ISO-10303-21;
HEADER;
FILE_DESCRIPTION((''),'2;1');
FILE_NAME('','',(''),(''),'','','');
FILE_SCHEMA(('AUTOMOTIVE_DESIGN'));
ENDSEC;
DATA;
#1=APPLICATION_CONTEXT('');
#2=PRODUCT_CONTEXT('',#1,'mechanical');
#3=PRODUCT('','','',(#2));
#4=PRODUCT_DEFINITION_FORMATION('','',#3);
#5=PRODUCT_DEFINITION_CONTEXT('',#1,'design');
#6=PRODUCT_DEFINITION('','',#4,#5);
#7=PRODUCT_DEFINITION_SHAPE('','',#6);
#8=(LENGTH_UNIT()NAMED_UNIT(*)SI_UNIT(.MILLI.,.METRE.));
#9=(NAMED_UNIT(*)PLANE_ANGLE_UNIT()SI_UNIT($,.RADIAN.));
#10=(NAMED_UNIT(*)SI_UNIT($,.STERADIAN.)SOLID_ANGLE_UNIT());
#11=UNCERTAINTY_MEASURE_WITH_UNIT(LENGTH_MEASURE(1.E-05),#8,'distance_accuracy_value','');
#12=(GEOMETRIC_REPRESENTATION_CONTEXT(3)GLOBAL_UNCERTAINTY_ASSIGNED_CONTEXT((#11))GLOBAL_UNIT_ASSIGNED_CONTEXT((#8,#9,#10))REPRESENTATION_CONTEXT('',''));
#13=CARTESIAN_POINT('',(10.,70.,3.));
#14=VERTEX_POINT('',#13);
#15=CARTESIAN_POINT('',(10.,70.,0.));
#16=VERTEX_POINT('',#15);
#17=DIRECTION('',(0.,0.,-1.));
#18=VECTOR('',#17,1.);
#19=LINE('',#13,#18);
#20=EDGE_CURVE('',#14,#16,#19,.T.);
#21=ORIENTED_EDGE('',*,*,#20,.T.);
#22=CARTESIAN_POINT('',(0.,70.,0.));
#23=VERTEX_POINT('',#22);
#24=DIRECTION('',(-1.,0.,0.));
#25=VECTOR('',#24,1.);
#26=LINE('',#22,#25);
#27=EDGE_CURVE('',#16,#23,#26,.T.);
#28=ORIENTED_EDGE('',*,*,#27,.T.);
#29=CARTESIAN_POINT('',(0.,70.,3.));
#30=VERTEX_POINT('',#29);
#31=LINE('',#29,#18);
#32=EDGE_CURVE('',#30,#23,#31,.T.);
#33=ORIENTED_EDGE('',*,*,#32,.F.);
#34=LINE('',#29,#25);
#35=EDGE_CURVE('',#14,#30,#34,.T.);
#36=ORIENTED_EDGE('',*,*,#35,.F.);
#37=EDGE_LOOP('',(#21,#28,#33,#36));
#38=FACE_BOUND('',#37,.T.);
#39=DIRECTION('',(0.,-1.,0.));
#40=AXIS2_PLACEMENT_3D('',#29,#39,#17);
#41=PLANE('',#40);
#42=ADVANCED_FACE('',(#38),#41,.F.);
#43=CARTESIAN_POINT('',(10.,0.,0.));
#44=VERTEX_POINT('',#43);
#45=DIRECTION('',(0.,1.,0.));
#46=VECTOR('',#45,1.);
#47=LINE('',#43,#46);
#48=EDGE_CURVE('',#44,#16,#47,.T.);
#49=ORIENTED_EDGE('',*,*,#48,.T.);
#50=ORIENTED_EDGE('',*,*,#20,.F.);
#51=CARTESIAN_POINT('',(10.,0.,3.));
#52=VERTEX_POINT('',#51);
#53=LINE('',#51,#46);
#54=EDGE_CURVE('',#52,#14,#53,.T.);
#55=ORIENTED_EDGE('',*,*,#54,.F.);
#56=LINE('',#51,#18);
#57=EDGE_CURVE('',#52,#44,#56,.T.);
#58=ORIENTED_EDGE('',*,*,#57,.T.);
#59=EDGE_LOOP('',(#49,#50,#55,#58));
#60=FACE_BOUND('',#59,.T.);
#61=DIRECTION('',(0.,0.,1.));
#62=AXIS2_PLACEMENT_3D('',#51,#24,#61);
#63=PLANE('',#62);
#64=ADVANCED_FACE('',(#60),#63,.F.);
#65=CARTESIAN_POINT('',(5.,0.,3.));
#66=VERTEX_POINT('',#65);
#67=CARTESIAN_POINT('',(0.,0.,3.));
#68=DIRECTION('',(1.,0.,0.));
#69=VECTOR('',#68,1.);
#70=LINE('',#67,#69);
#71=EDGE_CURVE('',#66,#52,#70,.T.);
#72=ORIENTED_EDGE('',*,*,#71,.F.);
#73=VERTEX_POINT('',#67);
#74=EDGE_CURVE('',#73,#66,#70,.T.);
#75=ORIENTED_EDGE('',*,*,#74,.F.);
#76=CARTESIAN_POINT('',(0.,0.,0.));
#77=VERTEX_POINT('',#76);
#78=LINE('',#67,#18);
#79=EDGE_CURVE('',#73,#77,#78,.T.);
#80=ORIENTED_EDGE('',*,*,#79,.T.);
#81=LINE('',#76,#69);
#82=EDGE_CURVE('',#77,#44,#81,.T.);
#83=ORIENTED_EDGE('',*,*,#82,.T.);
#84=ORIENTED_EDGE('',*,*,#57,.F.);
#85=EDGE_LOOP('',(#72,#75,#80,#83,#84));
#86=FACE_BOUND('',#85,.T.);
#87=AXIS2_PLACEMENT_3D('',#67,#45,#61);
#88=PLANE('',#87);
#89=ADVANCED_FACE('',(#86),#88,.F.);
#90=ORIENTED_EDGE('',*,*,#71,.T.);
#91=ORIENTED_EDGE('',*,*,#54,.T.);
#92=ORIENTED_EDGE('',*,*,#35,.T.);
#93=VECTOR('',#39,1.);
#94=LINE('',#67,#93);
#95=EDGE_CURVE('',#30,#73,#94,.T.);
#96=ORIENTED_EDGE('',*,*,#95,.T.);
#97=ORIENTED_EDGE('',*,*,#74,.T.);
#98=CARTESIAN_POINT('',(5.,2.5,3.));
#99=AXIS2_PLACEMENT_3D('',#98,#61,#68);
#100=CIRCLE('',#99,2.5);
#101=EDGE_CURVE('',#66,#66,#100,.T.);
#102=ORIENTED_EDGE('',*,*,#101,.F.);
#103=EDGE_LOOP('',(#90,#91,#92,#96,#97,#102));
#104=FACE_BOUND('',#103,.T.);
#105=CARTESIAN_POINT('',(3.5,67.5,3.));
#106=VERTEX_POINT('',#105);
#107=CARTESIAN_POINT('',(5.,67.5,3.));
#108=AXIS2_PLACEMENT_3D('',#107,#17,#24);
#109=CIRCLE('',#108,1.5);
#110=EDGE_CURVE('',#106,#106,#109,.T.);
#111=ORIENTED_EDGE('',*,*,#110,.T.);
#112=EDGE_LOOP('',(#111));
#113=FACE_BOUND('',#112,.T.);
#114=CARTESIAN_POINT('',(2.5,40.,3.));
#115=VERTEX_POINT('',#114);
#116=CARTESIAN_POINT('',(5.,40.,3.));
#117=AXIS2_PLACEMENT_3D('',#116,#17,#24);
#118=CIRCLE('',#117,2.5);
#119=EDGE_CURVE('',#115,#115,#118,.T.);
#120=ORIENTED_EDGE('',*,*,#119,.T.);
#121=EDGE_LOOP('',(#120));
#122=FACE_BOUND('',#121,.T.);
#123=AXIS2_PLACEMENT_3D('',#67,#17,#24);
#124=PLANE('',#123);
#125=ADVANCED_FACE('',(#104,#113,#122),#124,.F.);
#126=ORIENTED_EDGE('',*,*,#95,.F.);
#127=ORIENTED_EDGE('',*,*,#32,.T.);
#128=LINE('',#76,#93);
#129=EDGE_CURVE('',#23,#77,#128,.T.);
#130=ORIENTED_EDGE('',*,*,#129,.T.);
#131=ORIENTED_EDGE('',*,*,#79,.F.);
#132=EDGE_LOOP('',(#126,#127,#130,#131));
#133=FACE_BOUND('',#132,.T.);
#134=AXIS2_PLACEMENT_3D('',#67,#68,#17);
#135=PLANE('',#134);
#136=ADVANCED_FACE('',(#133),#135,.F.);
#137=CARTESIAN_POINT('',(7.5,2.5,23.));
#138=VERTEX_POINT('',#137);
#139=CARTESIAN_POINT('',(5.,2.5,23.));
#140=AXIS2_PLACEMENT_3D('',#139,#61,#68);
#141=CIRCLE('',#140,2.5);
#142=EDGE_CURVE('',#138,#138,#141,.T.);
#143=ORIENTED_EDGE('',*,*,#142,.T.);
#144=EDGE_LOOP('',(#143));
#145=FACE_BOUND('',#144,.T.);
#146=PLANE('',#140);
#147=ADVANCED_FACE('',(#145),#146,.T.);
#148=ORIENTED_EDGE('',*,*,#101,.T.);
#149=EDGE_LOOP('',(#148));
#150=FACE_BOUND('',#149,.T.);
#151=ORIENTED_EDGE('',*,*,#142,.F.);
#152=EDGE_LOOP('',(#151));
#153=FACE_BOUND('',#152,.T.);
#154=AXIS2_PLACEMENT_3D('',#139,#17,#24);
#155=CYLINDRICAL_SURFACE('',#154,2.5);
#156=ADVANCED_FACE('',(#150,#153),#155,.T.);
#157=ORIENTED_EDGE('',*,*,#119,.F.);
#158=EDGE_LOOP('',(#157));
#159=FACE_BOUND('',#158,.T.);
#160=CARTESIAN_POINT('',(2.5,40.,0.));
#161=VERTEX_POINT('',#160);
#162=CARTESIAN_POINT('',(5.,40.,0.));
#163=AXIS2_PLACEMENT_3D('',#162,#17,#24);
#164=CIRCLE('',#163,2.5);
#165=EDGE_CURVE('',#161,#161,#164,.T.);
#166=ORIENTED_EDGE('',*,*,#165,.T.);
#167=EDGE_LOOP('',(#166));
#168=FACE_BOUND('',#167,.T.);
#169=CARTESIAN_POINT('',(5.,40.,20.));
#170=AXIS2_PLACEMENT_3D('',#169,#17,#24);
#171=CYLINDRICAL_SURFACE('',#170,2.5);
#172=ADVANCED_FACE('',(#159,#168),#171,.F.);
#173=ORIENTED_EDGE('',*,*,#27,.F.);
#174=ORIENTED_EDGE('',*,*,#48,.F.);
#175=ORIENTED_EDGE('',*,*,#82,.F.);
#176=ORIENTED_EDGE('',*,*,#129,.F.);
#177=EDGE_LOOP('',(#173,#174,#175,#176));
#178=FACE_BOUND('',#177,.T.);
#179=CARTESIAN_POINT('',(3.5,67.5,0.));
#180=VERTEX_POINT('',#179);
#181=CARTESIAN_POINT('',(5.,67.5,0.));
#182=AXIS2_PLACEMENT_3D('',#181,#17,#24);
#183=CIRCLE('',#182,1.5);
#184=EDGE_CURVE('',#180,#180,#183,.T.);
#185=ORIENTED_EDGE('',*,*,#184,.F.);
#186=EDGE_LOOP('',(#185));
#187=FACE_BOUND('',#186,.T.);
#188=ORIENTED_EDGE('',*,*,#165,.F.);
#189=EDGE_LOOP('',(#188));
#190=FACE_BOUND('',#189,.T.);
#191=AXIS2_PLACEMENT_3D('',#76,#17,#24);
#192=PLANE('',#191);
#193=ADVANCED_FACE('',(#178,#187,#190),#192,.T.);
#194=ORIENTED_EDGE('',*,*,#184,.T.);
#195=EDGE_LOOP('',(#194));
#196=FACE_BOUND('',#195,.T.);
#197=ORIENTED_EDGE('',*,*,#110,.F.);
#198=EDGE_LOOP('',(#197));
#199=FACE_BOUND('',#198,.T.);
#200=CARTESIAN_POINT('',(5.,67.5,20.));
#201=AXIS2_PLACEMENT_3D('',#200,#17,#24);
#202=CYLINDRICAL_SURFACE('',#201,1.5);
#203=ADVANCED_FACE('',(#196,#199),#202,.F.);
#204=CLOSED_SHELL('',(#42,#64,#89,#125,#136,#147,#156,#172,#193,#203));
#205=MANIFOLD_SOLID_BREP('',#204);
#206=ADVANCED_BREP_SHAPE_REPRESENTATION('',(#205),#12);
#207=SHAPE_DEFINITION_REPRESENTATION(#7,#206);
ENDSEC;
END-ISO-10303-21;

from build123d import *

# Parameters (mm, degrees)
SKETCH1_W           = 10
SKETCH1_H           = 70
BOSS_EXTRUDE1_DEPTH = 3
SKETCH2_R           = 2.5
BOSS_EXTRUDE2_DEPTH = 20
SKETCH4_R           = 1.5
CUT_EXTRUDE1_DEPTH  = 20
SKETCH3_R           = 2.5
CUT_EXTRUDE3_DEPTH  = 20


with BuildPart() as part:
    # Sketch1 → Boss-Extrude1 (new body)
    with BuildSketch(Plane.XY):
        with Locations((5, 35)):
            Rectangle(SKETCH1_W, SKETCH1_H)
    extrude(amount=BOSS_EXTRUDE1_DEPTH)

    # Sketch2 → Boss-Extrude2 (add)
    with BuildSketch(Plane.XY.offset(3)):
        with Locations((5, 2.5)):
            Circle(SKETCH2_R)
    extrude(amount=BOSS_EXTRUDE2_DEPTH)

    # Sketch4 → Cut-Extrude1 (cut)
    with BuildSketch(Plane(origin=(0, 0, 0), x_dir=(-1, 0, 0), z_dir=(0, 0, -1))):
        with Locations((-5, 67.5)):
            Circle(SKETCH4_R)
    extrude(amount=-CUT_EXTRUDE1_DEPTH, mode=Mode.SUBTRACT)

    # Sketch3 → Cut-Extrude3 (cut)
    with BuildSketch(Plane(origin=(0, 0, 0), x_dir=(-1, 0, 0), z_dir=(0, 0, -1))):
        with Locations((-5, 40)):
            Circle(SKETCH3_R)
    extrude(amount=-CUT_EXTRUDE3_DEPTH, mode=Mode.SUBTRACT)


solid = part.part
